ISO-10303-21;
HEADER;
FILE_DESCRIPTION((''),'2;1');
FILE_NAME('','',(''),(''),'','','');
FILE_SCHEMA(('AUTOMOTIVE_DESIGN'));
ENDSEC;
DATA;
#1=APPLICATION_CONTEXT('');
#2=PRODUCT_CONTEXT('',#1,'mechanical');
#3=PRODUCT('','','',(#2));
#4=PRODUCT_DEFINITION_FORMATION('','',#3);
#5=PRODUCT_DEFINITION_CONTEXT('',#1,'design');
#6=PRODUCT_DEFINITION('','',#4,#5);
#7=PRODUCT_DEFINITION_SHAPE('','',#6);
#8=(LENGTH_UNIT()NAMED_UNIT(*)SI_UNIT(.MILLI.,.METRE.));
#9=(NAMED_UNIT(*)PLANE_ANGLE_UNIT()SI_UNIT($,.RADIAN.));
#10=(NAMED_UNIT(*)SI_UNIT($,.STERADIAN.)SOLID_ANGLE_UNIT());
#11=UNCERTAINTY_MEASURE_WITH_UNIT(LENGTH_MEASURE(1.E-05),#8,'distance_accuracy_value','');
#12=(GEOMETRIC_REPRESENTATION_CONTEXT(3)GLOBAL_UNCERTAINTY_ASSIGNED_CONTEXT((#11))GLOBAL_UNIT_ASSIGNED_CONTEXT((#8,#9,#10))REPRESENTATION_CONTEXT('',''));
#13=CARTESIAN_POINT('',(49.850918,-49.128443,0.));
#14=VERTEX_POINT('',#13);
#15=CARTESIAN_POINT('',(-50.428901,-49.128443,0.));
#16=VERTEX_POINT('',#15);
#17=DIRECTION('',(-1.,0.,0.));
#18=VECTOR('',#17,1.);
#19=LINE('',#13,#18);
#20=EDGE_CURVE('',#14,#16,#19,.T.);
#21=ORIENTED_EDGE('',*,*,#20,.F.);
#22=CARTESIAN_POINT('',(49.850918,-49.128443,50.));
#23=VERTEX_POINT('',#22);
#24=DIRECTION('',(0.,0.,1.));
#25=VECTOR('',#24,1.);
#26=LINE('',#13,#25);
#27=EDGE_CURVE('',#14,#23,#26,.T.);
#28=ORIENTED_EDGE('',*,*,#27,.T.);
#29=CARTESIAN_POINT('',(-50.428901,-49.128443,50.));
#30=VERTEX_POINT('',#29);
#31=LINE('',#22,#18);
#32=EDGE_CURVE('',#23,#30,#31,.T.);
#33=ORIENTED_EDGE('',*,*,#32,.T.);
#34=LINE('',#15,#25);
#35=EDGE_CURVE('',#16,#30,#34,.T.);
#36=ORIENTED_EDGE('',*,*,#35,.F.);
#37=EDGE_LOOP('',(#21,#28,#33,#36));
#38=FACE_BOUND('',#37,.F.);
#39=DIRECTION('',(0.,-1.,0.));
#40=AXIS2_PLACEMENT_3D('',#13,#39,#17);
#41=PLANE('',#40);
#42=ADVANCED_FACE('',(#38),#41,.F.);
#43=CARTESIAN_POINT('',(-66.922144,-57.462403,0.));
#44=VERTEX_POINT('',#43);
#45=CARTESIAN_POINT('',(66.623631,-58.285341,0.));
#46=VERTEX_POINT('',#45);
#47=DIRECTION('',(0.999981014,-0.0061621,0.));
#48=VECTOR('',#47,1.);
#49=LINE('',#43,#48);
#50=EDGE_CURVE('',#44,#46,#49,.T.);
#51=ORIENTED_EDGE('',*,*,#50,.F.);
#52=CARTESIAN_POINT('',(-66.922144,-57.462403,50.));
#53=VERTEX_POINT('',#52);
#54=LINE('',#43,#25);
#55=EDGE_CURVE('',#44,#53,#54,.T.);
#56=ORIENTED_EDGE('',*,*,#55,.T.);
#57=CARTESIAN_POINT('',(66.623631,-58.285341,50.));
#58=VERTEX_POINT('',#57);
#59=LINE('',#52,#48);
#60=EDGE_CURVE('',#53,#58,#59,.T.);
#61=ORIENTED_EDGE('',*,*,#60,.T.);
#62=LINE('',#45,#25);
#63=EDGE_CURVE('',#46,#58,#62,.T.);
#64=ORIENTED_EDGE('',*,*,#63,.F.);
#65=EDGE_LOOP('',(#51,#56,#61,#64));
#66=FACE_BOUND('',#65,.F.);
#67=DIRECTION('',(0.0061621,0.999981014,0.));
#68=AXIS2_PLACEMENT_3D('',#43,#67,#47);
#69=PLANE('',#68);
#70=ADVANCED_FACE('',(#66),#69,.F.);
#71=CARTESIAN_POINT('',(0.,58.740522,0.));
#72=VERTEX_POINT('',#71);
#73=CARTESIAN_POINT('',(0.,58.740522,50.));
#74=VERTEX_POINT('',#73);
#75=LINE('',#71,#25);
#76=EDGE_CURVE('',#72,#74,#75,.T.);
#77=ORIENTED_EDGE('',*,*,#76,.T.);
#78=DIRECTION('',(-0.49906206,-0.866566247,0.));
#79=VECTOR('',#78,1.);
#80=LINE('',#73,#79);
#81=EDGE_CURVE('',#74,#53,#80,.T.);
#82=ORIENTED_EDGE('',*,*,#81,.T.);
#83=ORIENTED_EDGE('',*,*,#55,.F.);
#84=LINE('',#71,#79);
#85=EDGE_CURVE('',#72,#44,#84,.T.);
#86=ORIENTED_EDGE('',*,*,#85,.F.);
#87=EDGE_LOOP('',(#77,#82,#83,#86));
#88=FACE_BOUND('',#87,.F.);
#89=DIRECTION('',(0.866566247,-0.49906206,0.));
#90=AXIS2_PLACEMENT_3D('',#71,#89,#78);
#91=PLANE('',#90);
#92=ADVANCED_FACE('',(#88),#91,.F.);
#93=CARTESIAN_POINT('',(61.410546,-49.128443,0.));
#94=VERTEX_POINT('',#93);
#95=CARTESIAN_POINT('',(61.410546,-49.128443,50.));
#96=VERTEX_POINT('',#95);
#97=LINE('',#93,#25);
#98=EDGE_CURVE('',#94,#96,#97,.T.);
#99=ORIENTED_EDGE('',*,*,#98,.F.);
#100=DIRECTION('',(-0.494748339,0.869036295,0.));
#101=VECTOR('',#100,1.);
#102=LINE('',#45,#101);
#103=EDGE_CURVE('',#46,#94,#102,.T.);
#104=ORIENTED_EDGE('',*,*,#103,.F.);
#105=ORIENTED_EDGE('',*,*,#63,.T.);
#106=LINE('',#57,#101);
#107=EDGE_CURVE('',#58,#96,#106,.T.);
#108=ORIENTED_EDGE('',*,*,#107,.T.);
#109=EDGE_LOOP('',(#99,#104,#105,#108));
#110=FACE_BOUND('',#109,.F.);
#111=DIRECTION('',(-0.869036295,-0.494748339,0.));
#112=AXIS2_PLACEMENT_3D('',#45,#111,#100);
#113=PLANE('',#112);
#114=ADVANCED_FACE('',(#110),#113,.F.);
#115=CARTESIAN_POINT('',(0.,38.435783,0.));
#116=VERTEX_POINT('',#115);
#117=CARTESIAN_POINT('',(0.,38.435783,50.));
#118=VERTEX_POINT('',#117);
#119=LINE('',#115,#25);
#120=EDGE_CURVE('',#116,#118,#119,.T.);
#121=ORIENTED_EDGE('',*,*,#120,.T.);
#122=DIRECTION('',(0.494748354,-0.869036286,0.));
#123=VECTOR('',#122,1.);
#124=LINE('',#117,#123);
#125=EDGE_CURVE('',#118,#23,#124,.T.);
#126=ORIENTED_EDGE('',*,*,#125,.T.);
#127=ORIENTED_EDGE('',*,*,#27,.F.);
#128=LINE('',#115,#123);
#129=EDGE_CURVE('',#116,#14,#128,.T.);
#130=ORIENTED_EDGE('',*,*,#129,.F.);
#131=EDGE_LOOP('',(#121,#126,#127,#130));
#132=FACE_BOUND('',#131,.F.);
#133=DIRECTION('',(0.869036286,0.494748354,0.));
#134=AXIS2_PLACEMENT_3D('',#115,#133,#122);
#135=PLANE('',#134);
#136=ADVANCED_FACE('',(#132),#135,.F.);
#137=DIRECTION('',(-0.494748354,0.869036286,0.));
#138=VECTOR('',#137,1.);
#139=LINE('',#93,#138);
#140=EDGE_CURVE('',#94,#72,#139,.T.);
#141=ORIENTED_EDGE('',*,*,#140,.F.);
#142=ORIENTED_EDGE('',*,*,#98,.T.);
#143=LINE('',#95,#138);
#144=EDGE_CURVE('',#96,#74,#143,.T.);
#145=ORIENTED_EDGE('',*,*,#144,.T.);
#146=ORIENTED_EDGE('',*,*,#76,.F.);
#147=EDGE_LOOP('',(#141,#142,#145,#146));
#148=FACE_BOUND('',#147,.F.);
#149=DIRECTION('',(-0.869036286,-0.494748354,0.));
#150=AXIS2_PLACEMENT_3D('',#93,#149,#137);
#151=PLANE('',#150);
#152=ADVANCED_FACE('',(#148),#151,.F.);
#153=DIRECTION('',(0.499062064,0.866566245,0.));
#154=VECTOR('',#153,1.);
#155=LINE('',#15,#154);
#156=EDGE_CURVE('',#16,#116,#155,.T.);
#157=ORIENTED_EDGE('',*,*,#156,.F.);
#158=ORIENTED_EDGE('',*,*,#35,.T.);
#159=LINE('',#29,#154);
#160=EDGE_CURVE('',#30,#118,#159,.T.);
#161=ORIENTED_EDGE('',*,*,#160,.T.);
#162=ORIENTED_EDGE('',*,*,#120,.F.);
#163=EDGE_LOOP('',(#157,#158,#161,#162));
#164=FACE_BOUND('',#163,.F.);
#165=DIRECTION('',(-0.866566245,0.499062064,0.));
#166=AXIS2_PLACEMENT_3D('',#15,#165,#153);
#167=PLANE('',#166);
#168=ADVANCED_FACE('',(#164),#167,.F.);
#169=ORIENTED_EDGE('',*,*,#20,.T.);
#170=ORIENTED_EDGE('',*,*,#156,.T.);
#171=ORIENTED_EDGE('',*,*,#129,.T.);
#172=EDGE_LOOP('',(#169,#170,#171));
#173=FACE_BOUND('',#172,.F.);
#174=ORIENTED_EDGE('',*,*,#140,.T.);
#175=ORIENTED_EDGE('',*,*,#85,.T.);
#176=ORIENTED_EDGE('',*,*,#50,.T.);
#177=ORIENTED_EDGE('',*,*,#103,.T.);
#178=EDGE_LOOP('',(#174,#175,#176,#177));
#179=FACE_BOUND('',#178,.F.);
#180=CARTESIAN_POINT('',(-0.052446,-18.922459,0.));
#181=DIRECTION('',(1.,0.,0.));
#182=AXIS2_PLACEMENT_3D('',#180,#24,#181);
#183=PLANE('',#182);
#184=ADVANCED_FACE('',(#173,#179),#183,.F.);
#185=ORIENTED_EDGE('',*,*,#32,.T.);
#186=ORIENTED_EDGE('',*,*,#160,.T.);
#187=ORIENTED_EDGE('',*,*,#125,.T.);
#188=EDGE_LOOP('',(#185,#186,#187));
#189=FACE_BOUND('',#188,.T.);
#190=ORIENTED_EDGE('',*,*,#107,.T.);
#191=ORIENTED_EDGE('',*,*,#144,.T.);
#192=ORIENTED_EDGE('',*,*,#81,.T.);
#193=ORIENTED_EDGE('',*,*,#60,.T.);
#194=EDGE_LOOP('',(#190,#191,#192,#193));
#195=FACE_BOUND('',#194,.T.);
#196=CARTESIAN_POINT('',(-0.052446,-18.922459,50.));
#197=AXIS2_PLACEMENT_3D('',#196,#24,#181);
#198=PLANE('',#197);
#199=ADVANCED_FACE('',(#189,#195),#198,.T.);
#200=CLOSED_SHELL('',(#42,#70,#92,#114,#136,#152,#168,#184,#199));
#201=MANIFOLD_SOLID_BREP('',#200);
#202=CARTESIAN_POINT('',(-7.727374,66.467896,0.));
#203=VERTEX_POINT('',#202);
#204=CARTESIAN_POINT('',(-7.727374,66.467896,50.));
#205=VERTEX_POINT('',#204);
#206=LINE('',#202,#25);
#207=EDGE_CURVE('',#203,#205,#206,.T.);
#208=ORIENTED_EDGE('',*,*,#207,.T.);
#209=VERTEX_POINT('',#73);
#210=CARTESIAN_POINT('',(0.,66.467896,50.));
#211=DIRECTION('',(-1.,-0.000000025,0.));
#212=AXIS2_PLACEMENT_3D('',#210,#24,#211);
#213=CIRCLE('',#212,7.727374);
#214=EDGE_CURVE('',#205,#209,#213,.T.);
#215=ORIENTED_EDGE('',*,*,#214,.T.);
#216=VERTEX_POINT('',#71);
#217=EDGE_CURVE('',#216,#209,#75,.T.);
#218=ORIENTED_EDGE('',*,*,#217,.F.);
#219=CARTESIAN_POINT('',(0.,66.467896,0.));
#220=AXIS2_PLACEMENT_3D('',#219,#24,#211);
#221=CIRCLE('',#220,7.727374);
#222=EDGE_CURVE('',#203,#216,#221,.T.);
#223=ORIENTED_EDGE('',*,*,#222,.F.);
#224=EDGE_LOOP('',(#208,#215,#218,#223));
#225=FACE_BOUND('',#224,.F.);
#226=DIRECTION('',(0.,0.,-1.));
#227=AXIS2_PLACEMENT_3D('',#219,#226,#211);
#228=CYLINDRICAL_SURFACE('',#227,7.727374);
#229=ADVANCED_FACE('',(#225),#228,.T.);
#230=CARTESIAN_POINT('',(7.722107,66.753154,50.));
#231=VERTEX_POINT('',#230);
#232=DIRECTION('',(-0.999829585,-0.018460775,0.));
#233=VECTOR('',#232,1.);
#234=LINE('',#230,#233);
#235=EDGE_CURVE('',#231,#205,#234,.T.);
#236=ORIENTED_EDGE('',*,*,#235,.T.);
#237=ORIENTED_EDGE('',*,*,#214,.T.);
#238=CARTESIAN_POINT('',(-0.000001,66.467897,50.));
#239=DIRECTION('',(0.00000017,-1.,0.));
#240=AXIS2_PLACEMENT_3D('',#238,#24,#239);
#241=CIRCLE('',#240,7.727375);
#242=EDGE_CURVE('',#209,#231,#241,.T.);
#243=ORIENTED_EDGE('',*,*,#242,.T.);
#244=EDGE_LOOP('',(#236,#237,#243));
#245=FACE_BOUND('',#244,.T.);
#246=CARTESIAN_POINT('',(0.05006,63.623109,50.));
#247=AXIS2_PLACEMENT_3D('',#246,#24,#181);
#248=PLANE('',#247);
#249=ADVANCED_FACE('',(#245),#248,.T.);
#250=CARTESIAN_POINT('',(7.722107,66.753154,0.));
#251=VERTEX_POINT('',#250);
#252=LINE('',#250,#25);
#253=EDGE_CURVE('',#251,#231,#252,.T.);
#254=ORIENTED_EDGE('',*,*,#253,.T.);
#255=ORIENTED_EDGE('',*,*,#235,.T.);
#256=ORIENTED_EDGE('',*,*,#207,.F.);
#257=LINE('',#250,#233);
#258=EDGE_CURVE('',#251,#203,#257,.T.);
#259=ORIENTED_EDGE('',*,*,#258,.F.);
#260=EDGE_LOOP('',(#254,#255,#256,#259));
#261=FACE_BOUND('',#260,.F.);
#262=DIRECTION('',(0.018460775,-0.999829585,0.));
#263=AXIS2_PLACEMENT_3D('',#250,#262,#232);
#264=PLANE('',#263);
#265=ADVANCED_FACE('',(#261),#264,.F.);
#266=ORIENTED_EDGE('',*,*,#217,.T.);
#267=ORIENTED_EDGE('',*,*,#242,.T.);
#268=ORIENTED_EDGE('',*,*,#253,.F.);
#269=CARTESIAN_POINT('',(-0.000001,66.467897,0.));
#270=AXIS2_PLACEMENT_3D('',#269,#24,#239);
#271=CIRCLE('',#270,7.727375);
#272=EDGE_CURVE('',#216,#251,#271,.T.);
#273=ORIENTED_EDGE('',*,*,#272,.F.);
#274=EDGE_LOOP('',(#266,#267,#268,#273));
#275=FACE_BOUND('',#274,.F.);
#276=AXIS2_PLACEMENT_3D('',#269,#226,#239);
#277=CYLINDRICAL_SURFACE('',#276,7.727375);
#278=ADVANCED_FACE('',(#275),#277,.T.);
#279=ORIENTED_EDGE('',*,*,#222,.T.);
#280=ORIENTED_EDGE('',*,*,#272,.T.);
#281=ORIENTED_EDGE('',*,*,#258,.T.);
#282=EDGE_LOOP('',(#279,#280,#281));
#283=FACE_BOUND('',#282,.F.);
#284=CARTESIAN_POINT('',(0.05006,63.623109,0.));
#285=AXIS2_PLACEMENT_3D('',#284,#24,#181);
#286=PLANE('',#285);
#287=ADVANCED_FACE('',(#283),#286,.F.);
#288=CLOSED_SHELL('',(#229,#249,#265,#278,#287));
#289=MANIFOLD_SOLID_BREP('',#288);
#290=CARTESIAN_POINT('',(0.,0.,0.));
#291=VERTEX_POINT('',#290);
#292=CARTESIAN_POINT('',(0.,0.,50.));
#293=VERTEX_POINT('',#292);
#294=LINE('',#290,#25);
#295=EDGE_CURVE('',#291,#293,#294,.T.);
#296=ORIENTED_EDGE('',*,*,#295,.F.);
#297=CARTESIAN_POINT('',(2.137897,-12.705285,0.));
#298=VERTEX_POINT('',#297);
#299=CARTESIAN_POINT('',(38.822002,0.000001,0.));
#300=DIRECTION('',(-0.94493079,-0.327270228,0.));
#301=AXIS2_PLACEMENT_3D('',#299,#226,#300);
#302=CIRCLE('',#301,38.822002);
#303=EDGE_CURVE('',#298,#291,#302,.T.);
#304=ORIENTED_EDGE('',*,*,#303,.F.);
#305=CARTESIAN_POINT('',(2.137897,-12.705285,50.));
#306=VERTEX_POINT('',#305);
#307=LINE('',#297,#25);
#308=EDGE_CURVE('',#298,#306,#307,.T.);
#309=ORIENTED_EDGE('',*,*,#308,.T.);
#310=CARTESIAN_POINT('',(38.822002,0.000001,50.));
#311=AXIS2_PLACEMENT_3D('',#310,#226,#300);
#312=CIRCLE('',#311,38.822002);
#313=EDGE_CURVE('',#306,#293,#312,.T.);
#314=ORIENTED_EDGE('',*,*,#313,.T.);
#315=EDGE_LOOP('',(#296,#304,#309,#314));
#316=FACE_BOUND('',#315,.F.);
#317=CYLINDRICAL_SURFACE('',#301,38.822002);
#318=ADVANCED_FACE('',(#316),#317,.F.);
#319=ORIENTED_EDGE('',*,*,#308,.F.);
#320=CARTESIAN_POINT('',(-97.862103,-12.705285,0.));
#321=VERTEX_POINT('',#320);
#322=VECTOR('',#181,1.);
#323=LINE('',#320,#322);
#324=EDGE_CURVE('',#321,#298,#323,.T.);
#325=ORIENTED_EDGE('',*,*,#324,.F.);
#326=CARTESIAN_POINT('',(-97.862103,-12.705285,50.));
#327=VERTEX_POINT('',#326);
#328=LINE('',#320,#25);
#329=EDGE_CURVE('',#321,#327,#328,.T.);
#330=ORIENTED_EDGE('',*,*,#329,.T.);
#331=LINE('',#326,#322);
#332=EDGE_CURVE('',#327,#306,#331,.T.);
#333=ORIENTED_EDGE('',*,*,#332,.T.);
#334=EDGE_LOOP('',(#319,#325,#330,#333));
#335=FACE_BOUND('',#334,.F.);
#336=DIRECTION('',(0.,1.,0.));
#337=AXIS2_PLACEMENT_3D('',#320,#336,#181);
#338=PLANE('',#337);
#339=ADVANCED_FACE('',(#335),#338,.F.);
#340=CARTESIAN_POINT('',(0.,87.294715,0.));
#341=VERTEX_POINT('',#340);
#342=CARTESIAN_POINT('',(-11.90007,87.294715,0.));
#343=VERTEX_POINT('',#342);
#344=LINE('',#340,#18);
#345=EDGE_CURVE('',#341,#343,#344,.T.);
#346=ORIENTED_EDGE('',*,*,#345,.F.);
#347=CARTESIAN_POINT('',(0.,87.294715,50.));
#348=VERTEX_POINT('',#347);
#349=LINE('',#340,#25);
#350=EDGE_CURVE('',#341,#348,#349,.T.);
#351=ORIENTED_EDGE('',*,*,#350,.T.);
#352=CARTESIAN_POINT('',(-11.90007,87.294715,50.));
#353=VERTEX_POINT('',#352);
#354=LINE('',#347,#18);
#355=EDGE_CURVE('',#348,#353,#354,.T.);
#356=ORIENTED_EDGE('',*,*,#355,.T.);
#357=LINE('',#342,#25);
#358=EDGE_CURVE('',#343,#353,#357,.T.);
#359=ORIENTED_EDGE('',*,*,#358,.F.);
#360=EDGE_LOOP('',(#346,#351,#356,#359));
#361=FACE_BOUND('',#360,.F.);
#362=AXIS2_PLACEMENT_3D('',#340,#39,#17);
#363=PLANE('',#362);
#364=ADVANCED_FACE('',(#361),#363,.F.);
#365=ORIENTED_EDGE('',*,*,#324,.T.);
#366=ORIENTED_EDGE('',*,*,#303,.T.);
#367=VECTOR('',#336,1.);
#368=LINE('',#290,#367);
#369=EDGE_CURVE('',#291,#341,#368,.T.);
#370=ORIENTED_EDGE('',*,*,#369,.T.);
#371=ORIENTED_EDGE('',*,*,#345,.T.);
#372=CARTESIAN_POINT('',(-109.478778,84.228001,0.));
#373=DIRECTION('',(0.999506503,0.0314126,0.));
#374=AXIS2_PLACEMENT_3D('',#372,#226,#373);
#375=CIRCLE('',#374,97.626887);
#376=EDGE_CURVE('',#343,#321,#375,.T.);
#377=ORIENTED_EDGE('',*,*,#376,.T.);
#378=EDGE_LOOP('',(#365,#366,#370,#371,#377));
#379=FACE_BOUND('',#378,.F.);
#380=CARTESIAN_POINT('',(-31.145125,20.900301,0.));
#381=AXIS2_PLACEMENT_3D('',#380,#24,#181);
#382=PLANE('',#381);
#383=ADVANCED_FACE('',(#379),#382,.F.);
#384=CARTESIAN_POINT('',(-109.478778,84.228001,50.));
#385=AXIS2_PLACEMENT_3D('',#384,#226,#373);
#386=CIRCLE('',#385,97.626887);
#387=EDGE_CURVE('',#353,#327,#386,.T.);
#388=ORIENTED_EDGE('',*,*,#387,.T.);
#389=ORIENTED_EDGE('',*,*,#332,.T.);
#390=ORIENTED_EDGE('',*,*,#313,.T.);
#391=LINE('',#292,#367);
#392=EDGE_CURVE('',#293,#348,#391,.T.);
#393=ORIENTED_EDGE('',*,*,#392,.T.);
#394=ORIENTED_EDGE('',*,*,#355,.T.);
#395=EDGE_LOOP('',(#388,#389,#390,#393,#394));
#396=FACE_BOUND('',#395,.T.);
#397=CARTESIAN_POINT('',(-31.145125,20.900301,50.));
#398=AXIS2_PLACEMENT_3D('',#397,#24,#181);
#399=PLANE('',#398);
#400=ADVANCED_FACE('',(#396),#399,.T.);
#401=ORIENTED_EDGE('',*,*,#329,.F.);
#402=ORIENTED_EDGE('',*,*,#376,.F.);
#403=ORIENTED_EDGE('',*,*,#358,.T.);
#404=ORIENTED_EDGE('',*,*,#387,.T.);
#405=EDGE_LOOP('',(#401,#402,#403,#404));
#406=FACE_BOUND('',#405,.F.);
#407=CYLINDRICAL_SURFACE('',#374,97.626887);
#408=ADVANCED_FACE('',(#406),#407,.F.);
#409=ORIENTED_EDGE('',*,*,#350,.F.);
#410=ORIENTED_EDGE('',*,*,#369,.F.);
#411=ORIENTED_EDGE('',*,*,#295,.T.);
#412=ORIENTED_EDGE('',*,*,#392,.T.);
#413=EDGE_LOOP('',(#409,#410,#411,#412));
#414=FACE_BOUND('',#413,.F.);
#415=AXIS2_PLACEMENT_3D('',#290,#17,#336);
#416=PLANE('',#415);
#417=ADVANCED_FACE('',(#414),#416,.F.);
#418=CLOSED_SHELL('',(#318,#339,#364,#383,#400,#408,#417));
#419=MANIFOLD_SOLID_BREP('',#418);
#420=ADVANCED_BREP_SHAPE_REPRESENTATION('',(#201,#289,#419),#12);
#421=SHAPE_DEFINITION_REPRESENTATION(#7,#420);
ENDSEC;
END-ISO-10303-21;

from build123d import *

# Parameters (mm, degrees)
F1_DEPTH = 50
F3_DEPTH = 50


with BuildPart() as f1:
    # F0 (on Top) → F1 (new body)
    with BuildSketch(Plane.XY):
        with BuildLine():
            Line((0, 0), (0, 87.294715))
            Line((0, 87.294715), (-11.90007, 87.294715))
            ThreePointArc((-11.90007, 87.294715), (-35.445624, 20.587596), (-97.862103, -12.705285))
            Line((-97.862103, -12.705285), (2.137897, -12.705285))
            ThreePointArc((2.137897, -12.705285), (0.538205, -6.44195), (0, 0))
        make_face()
    extrude(amount=F1_DEPTH)


with BuildPart() as f3:
    # F2 (on Top) → F3 (new body)
    with BuildSketch(Plane.XY):
        Polygon((66.623631, -58.285341), (61.410546, -49.128443), (0, 58.740522), (-66.922144, -57.462403), align=None)
        Polygon((49.850918, -49.128443), (-50.428901, -49.128443), (0, 38.435783), align=None, mode=Mode.SUBTRACT)
        with BuildLine():
            ThreePointArc((-7.727374, 66.467896), (-5.464079, 61.003818), (0, 58.740522))
            ThreePointArc((0, 58.740522), (5.564018, 61.10562), (7.722107, 66.753154))
            Line((7.722107, 66.753154), (-7.727374, 66.467896))
        make_face()
    extrude(amount=F3_DEPTH)


solid = Compound([f1.part, f3.part])
